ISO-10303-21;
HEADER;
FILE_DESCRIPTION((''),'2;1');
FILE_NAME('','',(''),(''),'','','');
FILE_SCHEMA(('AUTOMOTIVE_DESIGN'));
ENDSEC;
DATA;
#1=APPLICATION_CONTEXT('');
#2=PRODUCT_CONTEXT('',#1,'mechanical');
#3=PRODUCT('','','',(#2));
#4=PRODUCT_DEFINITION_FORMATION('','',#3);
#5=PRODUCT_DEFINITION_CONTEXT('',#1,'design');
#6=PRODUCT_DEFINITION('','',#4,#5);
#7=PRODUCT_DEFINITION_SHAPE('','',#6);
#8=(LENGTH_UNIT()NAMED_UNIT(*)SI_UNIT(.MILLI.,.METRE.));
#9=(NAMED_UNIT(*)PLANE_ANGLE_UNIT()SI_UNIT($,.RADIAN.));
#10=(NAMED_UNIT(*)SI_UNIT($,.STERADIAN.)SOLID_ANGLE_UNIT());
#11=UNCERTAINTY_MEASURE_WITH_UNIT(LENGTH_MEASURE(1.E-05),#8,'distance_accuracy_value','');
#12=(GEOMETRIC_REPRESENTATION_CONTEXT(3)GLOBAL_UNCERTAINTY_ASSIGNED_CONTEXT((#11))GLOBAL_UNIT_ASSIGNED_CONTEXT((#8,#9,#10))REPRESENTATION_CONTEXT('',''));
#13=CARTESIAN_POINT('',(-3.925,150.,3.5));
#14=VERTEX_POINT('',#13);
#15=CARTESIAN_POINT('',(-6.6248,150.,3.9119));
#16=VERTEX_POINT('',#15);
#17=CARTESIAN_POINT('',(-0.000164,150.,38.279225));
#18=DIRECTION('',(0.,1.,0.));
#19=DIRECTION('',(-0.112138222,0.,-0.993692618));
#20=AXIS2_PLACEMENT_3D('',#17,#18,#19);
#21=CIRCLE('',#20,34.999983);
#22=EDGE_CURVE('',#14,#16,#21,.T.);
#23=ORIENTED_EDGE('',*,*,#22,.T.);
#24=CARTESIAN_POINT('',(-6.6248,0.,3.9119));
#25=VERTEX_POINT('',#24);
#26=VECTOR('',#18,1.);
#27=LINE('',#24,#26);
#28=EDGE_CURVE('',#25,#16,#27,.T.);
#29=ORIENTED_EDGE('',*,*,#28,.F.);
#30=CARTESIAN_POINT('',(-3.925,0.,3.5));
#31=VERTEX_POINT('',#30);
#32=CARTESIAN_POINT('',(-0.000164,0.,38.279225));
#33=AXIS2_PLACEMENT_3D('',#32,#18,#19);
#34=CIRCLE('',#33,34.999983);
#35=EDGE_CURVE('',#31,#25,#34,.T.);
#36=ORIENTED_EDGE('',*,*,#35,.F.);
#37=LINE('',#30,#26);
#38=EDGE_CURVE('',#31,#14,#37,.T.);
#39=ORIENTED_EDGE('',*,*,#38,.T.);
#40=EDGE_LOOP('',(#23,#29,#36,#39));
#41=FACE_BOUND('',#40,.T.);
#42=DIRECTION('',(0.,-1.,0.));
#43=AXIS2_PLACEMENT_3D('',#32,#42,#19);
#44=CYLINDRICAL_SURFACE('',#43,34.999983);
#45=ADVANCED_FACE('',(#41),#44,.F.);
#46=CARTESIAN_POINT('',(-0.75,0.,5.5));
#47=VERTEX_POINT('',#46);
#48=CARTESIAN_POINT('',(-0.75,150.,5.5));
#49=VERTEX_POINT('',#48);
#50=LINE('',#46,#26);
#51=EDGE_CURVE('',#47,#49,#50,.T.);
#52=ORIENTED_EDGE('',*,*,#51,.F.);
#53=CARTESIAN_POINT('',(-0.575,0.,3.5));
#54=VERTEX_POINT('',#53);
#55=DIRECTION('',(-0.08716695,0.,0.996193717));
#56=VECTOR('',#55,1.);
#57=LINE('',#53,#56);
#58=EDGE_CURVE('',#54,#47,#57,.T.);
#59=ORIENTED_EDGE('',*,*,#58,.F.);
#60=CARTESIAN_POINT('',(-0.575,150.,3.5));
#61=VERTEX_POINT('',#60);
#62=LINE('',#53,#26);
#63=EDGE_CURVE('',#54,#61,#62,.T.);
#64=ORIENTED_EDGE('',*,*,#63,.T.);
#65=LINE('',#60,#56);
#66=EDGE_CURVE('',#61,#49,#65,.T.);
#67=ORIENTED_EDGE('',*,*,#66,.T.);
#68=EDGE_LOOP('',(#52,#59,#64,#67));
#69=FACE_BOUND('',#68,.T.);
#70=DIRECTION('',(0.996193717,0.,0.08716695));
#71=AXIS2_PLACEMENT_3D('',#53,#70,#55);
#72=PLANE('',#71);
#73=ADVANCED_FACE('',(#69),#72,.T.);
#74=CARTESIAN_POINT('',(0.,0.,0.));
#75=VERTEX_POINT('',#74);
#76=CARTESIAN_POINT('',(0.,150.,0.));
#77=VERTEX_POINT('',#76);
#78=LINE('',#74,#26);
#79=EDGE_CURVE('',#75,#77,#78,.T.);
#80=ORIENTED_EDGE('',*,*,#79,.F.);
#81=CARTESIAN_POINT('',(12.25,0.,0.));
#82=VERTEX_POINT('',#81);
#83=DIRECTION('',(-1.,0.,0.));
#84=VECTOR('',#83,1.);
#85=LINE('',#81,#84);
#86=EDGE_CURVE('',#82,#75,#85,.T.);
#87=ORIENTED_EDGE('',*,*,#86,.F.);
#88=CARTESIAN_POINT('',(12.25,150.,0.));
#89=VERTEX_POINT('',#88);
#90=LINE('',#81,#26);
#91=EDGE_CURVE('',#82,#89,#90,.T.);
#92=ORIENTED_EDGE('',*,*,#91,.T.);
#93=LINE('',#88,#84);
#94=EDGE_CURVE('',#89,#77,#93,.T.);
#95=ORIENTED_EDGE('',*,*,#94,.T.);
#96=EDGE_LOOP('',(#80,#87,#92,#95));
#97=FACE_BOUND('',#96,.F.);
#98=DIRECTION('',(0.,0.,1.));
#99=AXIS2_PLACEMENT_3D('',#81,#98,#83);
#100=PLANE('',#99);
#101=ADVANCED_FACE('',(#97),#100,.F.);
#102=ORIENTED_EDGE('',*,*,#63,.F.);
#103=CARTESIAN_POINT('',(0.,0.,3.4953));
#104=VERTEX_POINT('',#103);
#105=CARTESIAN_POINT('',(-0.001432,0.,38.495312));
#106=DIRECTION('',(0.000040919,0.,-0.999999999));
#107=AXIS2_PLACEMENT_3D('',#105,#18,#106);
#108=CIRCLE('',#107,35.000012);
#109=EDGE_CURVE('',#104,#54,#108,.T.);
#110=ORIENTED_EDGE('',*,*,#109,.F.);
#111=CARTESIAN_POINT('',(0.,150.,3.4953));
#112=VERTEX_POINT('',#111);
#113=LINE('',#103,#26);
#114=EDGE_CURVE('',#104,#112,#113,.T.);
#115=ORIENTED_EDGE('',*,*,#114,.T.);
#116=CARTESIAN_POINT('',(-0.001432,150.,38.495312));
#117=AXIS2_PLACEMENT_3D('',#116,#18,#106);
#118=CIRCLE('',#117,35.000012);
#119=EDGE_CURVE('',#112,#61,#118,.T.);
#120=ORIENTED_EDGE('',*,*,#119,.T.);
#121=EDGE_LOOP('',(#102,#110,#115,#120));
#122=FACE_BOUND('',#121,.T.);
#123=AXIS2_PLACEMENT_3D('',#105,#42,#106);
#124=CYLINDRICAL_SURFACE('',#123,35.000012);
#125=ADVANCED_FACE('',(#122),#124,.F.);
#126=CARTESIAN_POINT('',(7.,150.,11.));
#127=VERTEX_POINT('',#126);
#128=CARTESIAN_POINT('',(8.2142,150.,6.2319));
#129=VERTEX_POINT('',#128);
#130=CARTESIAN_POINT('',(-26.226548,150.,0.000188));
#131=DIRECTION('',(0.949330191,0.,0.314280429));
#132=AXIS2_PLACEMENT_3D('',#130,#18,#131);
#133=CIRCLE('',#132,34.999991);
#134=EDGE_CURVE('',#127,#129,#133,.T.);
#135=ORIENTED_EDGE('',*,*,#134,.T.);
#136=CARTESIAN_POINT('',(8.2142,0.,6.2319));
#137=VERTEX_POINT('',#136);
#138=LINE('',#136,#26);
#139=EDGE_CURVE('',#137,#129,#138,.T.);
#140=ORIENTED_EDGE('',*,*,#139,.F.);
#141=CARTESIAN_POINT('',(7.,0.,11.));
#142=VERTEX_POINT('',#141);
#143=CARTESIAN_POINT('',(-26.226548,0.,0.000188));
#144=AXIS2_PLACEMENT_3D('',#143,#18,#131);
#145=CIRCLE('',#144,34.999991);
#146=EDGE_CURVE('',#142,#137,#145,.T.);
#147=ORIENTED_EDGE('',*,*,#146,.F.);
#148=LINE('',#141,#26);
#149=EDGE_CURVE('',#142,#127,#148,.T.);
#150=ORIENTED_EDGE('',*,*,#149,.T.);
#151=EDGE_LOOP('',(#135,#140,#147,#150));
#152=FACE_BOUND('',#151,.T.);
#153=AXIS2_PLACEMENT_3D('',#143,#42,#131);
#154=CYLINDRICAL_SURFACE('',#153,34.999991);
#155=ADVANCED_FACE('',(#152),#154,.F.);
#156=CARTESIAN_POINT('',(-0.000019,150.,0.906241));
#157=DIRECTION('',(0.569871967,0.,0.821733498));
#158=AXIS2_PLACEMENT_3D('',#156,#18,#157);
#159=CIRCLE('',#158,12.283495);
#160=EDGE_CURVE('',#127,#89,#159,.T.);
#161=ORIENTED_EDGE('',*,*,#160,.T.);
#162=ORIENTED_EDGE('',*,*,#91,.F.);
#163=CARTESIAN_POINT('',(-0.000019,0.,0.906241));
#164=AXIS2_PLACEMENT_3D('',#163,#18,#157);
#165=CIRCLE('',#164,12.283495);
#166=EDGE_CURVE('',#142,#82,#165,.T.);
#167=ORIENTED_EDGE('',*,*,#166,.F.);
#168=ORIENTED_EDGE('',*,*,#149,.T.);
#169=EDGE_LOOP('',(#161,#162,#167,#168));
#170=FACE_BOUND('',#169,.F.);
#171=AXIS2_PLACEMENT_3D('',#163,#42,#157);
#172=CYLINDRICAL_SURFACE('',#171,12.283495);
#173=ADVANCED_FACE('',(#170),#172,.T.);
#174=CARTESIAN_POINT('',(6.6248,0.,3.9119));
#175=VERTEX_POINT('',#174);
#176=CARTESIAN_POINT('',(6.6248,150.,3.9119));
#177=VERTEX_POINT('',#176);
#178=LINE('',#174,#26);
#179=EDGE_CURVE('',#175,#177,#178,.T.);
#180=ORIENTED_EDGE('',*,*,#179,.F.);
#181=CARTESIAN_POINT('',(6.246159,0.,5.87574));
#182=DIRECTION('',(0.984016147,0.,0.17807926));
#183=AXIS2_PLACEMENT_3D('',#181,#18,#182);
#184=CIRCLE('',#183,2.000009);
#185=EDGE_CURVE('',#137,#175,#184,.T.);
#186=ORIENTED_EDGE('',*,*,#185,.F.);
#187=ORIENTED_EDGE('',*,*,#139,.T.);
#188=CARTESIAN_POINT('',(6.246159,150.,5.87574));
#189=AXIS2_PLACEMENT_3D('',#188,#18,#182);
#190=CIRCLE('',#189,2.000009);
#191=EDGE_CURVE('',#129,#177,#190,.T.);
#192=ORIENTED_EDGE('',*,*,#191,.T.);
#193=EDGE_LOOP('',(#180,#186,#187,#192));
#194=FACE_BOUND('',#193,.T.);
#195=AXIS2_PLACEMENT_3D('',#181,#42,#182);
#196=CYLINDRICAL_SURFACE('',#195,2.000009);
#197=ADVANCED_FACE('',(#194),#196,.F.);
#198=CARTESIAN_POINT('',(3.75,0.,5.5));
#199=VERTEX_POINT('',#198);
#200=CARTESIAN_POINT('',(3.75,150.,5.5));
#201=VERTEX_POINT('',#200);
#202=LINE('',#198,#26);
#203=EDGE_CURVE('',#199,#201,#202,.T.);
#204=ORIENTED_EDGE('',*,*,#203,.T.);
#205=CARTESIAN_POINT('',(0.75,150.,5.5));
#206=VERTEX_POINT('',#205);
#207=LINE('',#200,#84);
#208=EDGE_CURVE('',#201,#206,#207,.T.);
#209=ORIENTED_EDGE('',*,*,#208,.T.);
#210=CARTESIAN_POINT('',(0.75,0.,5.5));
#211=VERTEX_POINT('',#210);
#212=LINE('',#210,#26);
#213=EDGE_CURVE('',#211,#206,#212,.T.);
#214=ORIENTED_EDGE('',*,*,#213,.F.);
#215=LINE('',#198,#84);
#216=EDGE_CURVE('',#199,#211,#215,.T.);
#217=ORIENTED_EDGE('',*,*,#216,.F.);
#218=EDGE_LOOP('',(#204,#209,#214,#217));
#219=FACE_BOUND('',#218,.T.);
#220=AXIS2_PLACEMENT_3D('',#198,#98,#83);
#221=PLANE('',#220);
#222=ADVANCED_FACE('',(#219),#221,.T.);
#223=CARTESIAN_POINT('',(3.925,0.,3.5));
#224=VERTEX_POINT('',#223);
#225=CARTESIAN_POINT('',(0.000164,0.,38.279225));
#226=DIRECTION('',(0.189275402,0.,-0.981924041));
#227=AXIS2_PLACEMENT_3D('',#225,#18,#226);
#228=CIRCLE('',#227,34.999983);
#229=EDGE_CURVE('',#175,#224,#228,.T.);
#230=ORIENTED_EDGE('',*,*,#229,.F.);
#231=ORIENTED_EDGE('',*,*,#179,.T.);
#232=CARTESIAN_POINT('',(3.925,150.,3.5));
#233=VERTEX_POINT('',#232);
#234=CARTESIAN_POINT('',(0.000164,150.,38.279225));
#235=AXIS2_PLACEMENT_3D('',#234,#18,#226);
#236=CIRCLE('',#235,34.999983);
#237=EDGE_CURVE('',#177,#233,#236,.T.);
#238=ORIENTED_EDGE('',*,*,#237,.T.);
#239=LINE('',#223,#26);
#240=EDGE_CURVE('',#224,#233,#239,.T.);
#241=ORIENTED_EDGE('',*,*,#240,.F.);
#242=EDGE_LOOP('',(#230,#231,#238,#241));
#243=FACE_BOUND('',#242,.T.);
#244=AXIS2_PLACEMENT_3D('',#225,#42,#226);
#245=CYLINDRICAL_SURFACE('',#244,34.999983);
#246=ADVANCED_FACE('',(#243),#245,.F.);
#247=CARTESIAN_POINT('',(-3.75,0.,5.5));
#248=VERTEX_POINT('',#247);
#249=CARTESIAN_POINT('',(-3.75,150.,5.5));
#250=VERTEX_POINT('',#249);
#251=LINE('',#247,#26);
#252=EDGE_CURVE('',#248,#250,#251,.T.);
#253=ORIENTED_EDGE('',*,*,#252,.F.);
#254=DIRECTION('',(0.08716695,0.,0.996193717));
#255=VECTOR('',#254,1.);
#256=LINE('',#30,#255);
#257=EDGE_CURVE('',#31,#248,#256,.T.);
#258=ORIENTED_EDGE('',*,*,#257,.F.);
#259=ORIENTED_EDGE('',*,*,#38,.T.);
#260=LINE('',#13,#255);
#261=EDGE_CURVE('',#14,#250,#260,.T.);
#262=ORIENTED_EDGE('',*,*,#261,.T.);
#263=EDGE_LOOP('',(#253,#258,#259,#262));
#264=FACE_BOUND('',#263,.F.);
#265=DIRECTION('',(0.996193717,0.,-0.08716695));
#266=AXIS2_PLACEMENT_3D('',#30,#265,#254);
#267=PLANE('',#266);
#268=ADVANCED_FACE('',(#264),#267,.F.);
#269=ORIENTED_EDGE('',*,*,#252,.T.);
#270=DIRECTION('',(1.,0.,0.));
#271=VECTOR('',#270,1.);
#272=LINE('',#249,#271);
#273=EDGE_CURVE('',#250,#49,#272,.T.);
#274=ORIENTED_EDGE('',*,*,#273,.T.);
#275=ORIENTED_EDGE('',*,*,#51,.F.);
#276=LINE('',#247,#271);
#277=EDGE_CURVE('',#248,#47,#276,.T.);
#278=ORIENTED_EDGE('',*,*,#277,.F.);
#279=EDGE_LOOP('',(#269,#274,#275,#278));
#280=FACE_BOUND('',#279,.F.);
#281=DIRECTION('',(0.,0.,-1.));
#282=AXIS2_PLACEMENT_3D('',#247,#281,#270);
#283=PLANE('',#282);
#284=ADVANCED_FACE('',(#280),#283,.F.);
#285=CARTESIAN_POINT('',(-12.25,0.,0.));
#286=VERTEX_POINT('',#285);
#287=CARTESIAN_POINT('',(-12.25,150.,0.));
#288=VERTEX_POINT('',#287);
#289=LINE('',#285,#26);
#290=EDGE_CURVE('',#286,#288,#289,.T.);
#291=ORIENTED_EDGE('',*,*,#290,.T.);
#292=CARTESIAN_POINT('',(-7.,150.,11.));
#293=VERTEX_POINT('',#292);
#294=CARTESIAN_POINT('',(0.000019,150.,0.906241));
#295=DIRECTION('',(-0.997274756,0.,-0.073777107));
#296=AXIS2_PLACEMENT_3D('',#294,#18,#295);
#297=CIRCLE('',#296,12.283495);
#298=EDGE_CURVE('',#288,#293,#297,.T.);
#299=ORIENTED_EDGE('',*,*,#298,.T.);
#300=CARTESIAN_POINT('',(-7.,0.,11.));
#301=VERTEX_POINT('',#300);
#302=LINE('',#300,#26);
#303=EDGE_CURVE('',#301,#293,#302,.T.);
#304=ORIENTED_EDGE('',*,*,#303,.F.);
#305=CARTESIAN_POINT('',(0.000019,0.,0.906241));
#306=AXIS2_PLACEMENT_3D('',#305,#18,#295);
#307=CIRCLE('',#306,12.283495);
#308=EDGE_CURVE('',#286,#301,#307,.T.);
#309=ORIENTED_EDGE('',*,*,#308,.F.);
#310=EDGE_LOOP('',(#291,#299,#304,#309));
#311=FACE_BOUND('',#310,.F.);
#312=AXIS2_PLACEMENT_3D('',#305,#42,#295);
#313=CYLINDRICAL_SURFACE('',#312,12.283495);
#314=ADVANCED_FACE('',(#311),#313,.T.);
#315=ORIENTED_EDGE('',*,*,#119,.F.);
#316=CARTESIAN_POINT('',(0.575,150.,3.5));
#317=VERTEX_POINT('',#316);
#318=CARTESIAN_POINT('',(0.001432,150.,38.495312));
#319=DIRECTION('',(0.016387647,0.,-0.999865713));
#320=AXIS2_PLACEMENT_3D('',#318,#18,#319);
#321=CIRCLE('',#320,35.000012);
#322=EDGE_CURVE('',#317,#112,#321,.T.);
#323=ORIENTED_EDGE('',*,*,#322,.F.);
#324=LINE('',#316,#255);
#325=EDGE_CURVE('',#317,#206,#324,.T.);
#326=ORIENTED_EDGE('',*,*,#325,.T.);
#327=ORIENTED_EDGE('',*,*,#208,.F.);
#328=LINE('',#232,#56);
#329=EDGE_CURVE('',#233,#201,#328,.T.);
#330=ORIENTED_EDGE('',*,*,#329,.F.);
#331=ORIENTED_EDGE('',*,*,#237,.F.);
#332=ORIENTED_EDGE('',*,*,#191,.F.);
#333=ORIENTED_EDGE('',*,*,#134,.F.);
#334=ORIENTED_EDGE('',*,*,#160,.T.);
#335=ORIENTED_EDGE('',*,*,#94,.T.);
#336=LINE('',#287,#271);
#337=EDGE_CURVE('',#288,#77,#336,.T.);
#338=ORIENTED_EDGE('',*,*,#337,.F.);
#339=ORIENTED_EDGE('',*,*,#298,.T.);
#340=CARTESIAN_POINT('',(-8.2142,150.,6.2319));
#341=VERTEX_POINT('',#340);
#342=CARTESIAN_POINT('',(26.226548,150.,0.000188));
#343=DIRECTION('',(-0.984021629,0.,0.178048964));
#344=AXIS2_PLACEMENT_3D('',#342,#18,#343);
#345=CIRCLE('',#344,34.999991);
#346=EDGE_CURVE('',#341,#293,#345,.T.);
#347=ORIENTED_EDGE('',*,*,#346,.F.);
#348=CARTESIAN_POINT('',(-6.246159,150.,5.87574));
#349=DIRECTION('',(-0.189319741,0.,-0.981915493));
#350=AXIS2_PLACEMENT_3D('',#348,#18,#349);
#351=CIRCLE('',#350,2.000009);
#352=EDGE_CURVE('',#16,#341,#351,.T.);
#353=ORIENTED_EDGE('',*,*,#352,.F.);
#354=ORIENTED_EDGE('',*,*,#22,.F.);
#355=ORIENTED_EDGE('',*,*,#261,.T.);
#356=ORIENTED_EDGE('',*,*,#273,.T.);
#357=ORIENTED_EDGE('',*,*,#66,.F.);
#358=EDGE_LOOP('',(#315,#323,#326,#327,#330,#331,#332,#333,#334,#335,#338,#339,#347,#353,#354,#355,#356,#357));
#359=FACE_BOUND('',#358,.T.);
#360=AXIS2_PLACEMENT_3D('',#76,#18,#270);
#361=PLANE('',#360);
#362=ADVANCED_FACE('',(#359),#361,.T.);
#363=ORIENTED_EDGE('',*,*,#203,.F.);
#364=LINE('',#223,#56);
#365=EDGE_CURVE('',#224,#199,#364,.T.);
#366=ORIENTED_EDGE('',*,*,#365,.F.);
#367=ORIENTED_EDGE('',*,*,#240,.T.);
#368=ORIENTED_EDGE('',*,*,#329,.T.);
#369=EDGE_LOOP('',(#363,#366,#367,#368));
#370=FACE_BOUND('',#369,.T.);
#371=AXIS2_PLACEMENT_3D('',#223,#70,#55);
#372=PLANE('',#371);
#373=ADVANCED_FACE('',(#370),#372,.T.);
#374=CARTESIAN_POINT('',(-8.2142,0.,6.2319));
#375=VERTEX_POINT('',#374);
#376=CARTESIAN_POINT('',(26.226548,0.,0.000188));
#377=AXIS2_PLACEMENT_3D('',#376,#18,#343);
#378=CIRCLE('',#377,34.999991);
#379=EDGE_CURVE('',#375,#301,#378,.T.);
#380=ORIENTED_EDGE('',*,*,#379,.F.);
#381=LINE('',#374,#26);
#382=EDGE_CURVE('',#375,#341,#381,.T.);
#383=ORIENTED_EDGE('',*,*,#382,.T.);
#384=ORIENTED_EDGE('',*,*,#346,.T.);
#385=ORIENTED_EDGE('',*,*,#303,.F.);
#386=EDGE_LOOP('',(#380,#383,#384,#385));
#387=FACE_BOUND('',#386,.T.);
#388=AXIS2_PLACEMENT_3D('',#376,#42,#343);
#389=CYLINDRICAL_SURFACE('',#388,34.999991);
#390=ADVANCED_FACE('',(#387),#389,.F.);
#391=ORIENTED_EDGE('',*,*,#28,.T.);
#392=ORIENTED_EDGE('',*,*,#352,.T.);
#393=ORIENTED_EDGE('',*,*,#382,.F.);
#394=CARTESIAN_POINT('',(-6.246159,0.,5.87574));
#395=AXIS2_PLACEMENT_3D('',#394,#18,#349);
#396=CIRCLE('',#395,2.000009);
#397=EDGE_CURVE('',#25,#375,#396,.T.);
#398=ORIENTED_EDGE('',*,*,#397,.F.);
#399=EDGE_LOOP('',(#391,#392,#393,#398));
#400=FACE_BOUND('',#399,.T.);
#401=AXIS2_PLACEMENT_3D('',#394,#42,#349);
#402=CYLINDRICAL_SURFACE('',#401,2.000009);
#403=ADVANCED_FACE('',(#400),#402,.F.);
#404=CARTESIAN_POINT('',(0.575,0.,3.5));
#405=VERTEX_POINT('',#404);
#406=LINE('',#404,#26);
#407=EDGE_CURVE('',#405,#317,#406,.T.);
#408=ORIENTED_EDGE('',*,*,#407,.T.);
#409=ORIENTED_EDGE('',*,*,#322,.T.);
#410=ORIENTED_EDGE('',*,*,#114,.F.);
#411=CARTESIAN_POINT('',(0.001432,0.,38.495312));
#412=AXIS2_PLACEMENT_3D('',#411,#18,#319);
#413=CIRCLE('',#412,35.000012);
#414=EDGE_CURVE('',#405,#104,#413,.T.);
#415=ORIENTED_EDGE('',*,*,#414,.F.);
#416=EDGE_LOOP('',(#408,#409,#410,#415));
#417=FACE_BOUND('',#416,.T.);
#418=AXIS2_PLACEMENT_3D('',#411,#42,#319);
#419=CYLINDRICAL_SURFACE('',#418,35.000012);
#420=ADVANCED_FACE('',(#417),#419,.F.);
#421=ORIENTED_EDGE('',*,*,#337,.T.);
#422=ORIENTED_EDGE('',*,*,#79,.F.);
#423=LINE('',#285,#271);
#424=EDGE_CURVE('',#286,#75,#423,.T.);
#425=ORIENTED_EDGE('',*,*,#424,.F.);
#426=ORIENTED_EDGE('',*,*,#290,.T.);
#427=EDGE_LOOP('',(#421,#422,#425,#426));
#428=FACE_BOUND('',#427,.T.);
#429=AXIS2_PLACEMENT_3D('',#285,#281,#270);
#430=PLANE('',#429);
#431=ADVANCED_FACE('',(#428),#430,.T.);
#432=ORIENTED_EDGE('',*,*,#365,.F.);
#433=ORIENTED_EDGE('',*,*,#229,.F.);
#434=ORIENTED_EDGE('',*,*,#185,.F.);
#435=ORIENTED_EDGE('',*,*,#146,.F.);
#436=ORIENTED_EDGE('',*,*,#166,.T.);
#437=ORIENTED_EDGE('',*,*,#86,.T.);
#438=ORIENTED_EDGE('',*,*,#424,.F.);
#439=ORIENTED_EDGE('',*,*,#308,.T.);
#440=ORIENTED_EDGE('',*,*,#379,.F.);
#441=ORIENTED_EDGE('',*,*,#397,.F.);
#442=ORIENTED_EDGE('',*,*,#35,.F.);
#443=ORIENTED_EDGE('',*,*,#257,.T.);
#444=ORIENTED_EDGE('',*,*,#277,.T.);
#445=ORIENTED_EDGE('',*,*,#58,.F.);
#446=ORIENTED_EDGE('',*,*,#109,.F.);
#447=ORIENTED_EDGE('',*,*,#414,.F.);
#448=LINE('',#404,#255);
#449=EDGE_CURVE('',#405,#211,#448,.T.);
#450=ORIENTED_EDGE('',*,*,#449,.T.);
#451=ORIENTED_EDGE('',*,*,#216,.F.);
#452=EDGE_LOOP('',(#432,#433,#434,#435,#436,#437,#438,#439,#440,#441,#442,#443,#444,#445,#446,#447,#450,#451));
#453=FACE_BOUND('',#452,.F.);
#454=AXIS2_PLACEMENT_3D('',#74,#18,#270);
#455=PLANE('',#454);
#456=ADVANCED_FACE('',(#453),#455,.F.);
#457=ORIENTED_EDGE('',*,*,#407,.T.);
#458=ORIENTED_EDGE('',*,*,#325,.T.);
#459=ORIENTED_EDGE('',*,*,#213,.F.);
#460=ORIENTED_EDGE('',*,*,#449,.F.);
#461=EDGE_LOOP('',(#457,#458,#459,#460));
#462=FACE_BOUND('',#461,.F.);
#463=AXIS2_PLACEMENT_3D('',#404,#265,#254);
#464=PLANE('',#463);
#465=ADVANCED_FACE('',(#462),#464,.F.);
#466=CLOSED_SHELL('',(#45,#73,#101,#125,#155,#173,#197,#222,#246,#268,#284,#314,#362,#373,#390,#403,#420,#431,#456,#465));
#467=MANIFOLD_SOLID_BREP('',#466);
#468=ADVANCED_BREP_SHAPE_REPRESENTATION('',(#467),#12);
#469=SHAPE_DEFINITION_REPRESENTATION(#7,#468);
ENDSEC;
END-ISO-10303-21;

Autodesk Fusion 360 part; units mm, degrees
sketch "Sketch1" plane through (0, 0, 0) normal (0, 1, 0) x (1, 0, 0)
  line L0 (-12.25, 0) -> (0, 0)
  line L1 (0, 0) -> (0, -15.7252) construction
  arc A0 (-12.25, 0) -> (-7, -11) centre (0, -0.9062) ccw
  arc A1 (-8.2142, -6.2319) -> (-7, -11) centre (26.2265, 0) ccw
  arc A2 (-3.925, -3.5) -> (-6.6248, -3.9119) centre (0, -38.2792) ccw
  line L2 (-3.925, -3.5) -> (-3.75, -5.5)
  line L3 (-3.75, -5.5) -> (-0.75, -5.5)
  arc A3 (-6.6248, -3.9119) -> (-8.2142, -6.2319) centre (-6.2462, -5.8758) ccw
  line L4 (-2.25, -5.5) -> (-2.25, 0) construction
  line L5 (-0.575, -3.5) -> (-0.75, -5.5)
  arc A4 (0, -3.4953) -> (-0.575, -3.5) centre (0, -38.4953) ccw
  arc A5 (8.2142, -6.2319) -> (6.6248, -3.9119) centre (6.2462, -5.8758) ccw
  arc A6 (7, -11) -> (8.2142, -6.2319) centre (-26.2265, 0) ccw
  arc A7 (7, -11) -> (12.25, 0) centre (0, -0.9062) ccw
  line L6 (12.25, 0) -> (0, 0)
  arc A8 (6.6248, -3.9119) -> (3.925, -3.5) centre (0, -38.2792) ccw
  line L7 (3.925, -3.5) -> (3.75, -5.5)
  line L8 (3.75, -5.5) -> (0.75, -5.5)
  line L9 (0.575, -3.5) -> (0.75, -5.5)
  arc A9 (0.575, -3.5) -> (0, -3.4953) centre (0, -38.4953) ccw
  dimension "d1" = 12.25
  dimension "d3" = 11
  dimension "d4" = 7
  dimension "d6" = 2
  dimension "d7" = 95
  dimension "d8" = 3
  dimension "d9" = 0.75
  dimension "d10" = 35
  dimension "d11" = 5.5
  dimension "d12" = 2
extrude "Extrude1" add sketch "Sketch1" along normal blind 150
equation "d1 = ( 24.5 / 2 ) * 1 mm"
equation "d4 = ( 14 / 2 ) * 1 mm"
equation "d7 = 90 deg + 5 deg"
equation "d9 = ( 1.5 / 2 ) * 1 mm"
